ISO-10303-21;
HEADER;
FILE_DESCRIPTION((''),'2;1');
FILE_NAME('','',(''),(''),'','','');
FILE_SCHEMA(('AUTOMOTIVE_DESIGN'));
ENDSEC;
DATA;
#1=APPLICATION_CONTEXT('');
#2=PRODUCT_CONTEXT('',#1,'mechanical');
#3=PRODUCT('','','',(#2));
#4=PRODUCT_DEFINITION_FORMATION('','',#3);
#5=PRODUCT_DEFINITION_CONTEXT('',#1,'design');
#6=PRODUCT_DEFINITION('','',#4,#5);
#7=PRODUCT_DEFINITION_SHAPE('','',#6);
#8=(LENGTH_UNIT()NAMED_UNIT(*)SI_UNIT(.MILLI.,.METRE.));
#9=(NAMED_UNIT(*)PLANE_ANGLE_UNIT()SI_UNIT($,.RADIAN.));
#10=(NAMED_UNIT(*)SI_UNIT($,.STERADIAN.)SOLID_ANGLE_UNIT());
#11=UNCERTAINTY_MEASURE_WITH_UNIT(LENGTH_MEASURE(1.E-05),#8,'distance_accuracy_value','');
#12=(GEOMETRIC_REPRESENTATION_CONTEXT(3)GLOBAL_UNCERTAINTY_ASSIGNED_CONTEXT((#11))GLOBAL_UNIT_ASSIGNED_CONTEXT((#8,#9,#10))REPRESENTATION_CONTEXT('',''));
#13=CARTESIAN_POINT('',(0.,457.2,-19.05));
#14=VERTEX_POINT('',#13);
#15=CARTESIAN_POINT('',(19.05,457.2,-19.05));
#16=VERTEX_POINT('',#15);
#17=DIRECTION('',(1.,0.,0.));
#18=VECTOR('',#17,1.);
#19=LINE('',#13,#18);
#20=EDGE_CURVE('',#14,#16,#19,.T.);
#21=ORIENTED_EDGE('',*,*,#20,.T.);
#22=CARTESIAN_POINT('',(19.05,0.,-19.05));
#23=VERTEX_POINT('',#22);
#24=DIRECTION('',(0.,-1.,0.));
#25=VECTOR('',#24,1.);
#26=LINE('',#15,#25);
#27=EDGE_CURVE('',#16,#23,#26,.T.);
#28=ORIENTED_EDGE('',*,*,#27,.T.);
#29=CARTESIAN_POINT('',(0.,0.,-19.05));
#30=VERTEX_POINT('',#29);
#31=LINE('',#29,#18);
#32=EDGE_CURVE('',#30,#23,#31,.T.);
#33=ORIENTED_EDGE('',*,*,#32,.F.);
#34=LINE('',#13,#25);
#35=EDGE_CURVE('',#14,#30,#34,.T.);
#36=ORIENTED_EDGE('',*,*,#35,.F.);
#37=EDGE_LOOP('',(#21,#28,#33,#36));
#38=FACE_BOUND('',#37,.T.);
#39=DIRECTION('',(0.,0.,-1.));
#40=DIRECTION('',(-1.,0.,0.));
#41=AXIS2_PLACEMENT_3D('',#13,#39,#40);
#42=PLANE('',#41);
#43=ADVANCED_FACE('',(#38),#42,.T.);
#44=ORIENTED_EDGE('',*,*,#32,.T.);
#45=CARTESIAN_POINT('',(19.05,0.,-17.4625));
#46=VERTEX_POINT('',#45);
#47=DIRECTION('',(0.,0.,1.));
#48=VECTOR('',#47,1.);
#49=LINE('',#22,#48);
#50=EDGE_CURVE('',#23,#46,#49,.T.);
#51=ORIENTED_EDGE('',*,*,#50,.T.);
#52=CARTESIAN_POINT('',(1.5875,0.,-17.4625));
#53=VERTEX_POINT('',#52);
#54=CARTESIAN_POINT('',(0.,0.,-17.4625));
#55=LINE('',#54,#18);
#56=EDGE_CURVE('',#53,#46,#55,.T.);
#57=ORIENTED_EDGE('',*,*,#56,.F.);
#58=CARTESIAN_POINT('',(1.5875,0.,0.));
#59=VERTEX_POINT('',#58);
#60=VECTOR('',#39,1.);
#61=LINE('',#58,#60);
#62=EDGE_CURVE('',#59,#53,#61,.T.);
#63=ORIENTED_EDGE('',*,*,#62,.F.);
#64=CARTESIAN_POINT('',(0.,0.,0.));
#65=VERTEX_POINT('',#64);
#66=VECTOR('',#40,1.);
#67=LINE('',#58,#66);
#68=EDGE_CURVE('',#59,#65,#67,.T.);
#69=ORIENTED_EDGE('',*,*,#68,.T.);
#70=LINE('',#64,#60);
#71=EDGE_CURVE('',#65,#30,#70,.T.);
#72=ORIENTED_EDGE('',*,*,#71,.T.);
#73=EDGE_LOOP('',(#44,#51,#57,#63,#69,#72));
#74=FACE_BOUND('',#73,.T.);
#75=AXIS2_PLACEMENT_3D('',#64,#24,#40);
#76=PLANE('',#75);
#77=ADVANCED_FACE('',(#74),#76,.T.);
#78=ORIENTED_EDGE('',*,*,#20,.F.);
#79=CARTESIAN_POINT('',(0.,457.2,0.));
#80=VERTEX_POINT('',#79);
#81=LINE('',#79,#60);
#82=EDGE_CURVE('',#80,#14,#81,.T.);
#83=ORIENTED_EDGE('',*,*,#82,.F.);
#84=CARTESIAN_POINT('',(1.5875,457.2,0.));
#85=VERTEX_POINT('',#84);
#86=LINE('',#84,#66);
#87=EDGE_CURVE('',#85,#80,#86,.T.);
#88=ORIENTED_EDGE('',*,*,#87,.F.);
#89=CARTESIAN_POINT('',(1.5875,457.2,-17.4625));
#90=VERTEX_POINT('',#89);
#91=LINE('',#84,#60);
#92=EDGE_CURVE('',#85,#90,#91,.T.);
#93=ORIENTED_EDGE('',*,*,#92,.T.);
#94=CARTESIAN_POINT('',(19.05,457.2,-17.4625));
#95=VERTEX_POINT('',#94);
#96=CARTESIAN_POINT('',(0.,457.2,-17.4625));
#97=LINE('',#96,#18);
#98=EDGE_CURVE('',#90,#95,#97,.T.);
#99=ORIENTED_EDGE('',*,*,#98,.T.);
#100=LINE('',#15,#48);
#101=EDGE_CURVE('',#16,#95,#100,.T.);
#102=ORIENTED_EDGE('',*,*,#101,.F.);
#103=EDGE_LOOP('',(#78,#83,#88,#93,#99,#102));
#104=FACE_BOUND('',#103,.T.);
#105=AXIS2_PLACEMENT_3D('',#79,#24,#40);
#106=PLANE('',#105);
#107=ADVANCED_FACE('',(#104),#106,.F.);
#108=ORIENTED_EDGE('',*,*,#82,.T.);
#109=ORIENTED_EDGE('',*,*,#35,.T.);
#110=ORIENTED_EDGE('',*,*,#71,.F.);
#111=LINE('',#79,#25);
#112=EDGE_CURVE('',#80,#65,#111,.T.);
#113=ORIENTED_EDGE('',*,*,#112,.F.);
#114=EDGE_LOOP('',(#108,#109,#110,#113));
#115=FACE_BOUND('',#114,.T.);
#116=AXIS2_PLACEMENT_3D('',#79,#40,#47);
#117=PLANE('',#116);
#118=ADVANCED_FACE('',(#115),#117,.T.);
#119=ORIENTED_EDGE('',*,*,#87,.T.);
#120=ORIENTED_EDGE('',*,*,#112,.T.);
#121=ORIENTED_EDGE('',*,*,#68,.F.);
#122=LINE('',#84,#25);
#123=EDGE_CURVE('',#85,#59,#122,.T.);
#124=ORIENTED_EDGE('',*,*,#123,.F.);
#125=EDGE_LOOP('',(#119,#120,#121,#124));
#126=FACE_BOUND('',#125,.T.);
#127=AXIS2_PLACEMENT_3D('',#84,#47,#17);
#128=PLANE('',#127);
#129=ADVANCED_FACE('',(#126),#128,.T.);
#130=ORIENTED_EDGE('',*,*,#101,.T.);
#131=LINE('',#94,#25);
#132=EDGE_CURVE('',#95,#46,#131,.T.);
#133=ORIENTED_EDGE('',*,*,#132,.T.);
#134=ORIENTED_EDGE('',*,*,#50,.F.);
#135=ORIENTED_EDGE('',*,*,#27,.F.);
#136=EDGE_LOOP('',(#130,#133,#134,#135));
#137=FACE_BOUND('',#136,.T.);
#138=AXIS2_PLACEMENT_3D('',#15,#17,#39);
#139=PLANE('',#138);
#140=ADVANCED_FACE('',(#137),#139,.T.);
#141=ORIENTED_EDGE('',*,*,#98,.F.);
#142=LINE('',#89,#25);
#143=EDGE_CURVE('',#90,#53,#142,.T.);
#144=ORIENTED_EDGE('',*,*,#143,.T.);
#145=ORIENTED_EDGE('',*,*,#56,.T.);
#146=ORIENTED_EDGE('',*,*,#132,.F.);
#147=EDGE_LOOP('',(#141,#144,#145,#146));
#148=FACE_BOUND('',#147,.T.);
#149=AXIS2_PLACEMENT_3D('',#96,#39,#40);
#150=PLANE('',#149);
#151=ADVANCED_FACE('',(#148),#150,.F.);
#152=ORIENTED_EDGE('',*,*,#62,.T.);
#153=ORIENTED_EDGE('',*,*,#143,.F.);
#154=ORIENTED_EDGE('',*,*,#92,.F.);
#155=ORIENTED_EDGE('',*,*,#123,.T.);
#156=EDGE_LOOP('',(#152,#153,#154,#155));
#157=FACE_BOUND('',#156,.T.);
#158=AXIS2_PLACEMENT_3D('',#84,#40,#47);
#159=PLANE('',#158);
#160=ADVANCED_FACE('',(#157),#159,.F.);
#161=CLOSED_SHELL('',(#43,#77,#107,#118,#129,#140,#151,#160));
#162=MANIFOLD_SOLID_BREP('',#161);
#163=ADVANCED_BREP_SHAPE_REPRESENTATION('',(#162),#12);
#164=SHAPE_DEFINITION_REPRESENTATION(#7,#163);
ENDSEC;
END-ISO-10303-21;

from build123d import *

# Parameters (mm, degrees)
EXTRUDE_THIN1_DEPTH = 457.2


with BuildPart() as part:
    # Sketch1 → Extrude-Thin1 (new body)
    with BuildSketch(Plane(origin=(0, 0, 0), x_dir=(1, 0, 0), z_dir=(0, 1, 0))):
        Polygon((0, 0), (0, 19.05), (19.05, 19.05), (19.05, 17.4625), (1.5875, 17.4625), (1.5875, 0), align=None)
    extrude(amount=EXTRUDE_THIN1_DEPTH)


solid = part.part
